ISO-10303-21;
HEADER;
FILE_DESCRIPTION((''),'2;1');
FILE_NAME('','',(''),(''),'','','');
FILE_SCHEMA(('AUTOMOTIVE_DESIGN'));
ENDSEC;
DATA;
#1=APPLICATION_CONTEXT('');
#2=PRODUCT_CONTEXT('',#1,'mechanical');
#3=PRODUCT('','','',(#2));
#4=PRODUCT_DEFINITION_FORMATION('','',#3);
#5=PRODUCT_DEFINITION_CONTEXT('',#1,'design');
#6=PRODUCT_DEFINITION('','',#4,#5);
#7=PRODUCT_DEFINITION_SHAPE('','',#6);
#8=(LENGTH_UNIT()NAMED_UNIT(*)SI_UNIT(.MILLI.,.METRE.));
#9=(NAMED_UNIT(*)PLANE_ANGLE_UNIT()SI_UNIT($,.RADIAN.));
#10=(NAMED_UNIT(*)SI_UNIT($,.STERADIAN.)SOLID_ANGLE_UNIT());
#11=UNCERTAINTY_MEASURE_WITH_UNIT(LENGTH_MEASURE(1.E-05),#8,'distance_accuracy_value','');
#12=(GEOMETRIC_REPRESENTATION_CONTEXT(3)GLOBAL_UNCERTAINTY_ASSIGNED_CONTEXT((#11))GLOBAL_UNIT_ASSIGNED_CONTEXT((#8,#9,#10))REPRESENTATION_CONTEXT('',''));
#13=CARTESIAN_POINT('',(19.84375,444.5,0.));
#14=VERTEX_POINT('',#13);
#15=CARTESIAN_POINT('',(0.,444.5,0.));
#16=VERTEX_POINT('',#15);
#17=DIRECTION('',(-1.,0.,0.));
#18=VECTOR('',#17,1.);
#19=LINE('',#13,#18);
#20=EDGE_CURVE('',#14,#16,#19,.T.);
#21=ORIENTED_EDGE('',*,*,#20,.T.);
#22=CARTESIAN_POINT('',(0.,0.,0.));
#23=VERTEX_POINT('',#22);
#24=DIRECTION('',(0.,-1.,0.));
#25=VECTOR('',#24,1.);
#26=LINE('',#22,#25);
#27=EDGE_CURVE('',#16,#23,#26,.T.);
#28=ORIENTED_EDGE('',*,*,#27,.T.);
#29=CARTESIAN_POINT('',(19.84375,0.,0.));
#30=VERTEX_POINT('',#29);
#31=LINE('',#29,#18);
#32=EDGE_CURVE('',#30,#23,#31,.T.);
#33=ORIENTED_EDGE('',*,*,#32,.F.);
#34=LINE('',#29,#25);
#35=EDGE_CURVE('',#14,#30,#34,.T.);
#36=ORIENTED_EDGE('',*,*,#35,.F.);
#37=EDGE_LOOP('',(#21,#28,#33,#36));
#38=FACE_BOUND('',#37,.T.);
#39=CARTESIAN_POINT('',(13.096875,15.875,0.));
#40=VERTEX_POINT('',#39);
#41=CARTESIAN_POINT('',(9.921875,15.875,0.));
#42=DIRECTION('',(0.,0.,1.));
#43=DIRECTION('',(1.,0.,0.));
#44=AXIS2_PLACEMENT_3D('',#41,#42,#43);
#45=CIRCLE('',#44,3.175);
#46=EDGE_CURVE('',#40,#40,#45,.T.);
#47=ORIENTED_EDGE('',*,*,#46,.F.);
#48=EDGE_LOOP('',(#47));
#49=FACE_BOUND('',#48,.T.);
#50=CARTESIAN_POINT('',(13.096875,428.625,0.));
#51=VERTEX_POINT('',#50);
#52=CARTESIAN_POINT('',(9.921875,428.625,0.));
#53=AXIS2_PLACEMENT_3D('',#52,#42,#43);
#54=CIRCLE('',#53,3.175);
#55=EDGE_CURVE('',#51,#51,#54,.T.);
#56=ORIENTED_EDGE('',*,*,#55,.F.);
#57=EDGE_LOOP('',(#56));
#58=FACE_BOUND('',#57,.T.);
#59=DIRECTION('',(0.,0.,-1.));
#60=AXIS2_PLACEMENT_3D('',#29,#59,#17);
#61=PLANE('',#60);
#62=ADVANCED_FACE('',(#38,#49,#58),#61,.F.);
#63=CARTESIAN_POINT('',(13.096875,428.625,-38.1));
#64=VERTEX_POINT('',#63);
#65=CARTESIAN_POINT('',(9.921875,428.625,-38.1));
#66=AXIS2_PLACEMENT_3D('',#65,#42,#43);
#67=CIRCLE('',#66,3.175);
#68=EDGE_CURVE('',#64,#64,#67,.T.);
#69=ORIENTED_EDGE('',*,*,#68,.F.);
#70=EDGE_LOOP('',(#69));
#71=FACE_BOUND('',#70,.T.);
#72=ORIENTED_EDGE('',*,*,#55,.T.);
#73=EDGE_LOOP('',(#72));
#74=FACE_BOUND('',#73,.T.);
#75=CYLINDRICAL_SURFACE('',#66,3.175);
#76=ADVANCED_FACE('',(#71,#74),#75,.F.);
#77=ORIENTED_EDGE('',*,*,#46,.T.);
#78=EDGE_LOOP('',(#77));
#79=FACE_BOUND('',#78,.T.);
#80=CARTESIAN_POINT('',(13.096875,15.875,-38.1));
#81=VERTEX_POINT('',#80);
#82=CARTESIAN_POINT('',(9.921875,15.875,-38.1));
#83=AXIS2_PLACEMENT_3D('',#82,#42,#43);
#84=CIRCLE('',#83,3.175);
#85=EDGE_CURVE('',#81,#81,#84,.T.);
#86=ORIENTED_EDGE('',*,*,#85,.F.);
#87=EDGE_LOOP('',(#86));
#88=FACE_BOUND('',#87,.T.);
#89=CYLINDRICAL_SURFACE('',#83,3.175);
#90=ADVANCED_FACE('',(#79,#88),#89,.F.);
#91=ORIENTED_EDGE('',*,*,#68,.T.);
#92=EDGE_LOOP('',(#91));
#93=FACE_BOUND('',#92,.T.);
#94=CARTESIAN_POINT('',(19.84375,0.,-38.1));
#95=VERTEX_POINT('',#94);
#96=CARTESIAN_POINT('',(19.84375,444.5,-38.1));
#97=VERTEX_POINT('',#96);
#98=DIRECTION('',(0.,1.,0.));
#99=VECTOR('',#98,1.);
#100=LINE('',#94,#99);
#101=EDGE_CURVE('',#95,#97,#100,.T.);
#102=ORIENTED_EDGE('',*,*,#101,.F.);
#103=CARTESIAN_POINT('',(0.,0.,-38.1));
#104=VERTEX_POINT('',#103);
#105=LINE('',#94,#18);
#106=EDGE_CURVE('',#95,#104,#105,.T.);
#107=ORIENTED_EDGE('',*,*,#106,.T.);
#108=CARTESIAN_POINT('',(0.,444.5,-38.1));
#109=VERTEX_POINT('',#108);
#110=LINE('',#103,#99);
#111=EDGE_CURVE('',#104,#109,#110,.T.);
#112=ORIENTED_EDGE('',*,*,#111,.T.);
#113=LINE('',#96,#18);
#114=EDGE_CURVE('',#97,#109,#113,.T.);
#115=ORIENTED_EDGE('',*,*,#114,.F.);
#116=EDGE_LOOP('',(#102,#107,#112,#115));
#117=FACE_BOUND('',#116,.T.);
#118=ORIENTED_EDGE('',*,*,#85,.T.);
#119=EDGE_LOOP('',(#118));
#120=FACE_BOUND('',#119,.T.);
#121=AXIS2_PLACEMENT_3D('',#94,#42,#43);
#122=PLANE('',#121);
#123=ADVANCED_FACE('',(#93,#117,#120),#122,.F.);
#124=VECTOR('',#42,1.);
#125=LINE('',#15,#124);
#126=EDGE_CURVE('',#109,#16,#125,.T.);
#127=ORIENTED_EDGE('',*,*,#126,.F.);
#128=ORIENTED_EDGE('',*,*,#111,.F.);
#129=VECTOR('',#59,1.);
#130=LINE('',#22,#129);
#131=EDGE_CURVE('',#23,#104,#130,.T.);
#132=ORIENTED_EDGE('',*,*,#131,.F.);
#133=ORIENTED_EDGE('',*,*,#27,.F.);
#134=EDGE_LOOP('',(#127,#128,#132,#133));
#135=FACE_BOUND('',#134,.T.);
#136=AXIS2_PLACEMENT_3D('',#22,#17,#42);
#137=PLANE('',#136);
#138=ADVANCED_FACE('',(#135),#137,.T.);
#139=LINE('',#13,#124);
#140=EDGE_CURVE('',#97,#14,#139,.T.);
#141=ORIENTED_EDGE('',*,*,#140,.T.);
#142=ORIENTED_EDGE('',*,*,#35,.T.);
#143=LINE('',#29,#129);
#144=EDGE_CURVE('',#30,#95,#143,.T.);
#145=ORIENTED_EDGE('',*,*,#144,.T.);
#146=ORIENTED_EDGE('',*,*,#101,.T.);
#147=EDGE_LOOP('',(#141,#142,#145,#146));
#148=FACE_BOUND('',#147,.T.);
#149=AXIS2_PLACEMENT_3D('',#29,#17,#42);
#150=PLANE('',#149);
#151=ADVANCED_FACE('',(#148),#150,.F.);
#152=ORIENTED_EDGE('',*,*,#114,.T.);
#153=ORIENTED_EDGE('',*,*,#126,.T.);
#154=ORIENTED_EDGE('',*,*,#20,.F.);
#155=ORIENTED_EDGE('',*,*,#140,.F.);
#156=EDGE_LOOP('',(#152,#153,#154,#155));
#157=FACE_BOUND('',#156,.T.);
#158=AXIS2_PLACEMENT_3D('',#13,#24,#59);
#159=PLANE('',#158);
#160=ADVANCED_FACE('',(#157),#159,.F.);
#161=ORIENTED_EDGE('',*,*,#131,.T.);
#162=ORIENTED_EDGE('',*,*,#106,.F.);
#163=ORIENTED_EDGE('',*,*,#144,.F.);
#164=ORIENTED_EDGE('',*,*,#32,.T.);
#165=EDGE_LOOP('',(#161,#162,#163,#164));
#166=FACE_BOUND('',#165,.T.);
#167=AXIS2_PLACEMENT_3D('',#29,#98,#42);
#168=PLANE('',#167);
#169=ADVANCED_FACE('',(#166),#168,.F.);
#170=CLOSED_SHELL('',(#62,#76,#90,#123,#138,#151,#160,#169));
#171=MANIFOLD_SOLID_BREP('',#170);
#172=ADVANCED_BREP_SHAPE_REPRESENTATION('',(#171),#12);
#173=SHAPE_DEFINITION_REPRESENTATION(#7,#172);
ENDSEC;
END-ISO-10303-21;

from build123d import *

# Parameters (mm, degrees)
SKETCH1_W           = 38.1
SKETCH1_H           = 444.5
BOSS_EXTRUDE1_DEPTH = 19.84375
SKETCH2_R           = 3.175
CUT_EXTRUDE1_DEPTH  = 39.1


with BuildPart() as part:
    # Sketch1 → Boss-Extrude1 (new body)
    with BuildSketch(Plane(origin=(0, 0, 0), x_dir=(0, 0, -1), z_dir=(1, 0, 0))):
        with Locations((19.05, 222.25)):
            Rectangle(SKETCH1_W, SKETCH1_H)
    extrude(amount=BOSS_EXTRUDE1_DEPTH)

    # Sketch2 → Cut-Extrude1 (cut, through all)
    with BuildSketch(Plane.XY):
        with Locations((9.921875, 15.875)):
            Circle(SKETCH2_R)
        with Locations((9.921875, 428.625)):
            Circle(SKETCH2_R)
    extrude(amount=-CUT_EXTRUDE1_DEPTH, mode=Mode.SUBTRACT)


solid = part.part
